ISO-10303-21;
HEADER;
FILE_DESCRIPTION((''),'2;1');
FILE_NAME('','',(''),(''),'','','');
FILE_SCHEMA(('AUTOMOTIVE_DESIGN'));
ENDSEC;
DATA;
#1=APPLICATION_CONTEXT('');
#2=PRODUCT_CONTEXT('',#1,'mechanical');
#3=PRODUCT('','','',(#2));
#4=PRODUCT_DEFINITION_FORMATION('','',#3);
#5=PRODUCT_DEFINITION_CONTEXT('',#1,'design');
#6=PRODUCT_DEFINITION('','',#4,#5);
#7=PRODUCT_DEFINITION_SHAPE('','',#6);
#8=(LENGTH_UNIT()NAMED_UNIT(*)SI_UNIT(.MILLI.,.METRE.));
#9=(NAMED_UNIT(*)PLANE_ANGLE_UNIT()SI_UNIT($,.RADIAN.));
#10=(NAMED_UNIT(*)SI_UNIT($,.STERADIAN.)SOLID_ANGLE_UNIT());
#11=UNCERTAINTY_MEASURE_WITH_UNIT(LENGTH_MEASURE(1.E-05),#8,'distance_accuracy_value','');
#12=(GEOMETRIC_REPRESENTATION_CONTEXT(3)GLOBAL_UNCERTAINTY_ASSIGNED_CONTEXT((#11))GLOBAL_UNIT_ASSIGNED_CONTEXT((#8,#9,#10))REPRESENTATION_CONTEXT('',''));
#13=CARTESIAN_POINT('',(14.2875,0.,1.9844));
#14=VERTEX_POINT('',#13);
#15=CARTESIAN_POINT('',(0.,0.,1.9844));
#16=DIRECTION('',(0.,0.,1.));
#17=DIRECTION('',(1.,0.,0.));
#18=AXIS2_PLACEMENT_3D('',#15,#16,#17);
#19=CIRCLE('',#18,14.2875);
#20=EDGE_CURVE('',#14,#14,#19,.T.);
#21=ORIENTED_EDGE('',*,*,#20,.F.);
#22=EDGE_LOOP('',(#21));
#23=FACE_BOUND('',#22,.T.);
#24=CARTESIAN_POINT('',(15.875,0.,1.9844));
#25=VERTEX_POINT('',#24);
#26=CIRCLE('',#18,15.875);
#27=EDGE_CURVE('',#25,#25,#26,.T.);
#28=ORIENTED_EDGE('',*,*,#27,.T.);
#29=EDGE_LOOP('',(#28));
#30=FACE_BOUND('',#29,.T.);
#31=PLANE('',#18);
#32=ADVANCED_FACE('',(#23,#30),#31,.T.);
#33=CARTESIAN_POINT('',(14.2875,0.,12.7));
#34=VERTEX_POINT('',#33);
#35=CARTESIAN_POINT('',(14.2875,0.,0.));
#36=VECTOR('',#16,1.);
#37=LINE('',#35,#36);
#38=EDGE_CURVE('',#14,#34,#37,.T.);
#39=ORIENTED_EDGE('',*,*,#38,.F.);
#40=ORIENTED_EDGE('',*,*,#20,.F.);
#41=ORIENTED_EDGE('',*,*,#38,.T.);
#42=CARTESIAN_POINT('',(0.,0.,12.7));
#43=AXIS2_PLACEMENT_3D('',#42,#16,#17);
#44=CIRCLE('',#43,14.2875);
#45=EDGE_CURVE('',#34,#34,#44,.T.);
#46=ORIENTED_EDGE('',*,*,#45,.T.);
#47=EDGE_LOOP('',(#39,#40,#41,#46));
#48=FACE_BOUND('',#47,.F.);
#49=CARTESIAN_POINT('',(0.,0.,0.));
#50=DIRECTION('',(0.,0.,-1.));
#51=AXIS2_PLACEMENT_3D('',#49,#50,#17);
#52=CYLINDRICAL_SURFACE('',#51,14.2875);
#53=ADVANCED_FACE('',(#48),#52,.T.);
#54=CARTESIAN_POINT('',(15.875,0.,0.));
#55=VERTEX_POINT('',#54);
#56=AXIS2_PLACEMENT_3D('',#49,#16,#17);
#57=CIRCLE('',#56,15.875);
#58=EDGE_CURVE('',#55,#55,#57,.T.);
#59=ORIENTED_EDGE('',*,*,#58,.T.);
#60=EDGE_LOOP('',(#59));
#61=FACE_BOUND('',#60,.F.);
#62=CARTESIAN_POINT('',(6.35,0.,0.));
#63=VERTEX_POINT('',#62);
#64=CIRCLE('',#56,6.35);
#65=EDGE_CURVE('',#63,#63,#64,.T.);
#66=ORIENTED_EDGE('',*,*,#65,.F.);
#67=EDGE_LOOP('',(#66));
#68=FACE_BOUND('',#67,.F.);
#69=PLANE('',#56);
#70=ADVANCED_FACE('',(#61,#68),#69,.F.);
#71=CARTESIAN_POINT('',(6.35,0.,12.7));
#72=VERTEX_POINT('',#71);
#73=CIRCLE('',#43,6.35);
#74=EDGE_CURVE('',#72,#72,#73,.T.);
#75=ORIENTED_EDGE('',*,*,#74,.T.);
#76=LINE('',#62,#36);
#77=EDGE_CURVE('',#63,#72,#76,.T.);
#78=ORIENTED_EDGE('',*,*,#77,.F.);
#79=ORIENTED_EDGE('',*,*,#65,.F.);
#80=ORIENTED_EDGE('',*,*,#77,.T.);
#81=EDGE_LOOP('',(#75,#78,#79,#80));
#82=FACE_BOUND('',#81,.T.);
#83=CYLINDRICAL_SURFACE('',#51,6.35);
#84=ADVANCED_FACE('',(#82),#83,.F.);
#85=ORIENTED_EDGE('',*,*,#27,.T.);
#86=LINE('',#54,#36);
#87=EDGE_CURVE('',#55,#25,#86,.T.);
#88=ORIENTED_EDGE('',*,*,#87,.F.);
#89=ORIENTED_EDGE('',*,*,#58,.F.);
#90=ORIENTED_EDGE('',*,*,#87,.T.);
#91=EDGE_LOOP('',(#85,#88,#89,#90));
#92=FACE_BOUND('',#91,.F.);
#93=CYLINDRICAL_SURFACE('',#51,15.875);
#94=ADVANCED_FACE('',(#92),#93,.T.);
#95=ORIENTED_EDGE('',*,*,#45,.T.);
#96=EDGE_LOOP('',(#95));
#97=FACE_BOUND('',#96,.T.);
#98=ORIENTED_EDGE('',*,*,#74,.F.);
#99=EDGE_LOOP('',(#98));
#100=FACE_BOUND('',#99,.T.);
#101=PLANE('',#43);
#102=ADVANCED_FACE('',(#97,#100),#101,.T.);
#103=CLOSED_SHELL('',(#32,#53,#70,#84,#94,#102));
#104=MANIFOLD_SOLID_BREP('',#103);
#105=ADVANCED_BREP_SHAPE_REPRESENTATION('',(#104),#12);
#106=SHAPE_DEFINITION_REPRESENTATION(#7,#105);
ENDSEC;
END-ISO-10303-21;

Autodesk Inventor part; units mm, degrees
ref_plane "YZ Plane" through (0, 0, 0) normal (1, 0, 0) x (0, 1, 0)
ref_plane "XZ Plane" through (0, 0, 0) normal (0, 1, 0) x (-1, 0, 0)
ref_plane "XY Plane" through (0, 0, 0) normal (0, 0, 1) x (1, 0, 0)
sketch "Sketch1" plane through (0, 0, 0) normal (0, 0, 1) x (1, 0, 0)
  circle A0 centre (0, 0) radius 6.35
  circle A1 centre (0, 0) radius 15.875
  circle A2 centre (0, 0) radius 14.2875
  dimension "d0" = 12.7
  dimension "d1" = 31.75
  dimension "d2" = 28.575
extrude "Extrusion1" add sketch "Sketch1" along normal blind 12.7 contours A2
extrude "Extrusion2" add sketch "Sketch1" along normal blind 1.9844 contours A1
properties part number "FlangedJournalBearing"
